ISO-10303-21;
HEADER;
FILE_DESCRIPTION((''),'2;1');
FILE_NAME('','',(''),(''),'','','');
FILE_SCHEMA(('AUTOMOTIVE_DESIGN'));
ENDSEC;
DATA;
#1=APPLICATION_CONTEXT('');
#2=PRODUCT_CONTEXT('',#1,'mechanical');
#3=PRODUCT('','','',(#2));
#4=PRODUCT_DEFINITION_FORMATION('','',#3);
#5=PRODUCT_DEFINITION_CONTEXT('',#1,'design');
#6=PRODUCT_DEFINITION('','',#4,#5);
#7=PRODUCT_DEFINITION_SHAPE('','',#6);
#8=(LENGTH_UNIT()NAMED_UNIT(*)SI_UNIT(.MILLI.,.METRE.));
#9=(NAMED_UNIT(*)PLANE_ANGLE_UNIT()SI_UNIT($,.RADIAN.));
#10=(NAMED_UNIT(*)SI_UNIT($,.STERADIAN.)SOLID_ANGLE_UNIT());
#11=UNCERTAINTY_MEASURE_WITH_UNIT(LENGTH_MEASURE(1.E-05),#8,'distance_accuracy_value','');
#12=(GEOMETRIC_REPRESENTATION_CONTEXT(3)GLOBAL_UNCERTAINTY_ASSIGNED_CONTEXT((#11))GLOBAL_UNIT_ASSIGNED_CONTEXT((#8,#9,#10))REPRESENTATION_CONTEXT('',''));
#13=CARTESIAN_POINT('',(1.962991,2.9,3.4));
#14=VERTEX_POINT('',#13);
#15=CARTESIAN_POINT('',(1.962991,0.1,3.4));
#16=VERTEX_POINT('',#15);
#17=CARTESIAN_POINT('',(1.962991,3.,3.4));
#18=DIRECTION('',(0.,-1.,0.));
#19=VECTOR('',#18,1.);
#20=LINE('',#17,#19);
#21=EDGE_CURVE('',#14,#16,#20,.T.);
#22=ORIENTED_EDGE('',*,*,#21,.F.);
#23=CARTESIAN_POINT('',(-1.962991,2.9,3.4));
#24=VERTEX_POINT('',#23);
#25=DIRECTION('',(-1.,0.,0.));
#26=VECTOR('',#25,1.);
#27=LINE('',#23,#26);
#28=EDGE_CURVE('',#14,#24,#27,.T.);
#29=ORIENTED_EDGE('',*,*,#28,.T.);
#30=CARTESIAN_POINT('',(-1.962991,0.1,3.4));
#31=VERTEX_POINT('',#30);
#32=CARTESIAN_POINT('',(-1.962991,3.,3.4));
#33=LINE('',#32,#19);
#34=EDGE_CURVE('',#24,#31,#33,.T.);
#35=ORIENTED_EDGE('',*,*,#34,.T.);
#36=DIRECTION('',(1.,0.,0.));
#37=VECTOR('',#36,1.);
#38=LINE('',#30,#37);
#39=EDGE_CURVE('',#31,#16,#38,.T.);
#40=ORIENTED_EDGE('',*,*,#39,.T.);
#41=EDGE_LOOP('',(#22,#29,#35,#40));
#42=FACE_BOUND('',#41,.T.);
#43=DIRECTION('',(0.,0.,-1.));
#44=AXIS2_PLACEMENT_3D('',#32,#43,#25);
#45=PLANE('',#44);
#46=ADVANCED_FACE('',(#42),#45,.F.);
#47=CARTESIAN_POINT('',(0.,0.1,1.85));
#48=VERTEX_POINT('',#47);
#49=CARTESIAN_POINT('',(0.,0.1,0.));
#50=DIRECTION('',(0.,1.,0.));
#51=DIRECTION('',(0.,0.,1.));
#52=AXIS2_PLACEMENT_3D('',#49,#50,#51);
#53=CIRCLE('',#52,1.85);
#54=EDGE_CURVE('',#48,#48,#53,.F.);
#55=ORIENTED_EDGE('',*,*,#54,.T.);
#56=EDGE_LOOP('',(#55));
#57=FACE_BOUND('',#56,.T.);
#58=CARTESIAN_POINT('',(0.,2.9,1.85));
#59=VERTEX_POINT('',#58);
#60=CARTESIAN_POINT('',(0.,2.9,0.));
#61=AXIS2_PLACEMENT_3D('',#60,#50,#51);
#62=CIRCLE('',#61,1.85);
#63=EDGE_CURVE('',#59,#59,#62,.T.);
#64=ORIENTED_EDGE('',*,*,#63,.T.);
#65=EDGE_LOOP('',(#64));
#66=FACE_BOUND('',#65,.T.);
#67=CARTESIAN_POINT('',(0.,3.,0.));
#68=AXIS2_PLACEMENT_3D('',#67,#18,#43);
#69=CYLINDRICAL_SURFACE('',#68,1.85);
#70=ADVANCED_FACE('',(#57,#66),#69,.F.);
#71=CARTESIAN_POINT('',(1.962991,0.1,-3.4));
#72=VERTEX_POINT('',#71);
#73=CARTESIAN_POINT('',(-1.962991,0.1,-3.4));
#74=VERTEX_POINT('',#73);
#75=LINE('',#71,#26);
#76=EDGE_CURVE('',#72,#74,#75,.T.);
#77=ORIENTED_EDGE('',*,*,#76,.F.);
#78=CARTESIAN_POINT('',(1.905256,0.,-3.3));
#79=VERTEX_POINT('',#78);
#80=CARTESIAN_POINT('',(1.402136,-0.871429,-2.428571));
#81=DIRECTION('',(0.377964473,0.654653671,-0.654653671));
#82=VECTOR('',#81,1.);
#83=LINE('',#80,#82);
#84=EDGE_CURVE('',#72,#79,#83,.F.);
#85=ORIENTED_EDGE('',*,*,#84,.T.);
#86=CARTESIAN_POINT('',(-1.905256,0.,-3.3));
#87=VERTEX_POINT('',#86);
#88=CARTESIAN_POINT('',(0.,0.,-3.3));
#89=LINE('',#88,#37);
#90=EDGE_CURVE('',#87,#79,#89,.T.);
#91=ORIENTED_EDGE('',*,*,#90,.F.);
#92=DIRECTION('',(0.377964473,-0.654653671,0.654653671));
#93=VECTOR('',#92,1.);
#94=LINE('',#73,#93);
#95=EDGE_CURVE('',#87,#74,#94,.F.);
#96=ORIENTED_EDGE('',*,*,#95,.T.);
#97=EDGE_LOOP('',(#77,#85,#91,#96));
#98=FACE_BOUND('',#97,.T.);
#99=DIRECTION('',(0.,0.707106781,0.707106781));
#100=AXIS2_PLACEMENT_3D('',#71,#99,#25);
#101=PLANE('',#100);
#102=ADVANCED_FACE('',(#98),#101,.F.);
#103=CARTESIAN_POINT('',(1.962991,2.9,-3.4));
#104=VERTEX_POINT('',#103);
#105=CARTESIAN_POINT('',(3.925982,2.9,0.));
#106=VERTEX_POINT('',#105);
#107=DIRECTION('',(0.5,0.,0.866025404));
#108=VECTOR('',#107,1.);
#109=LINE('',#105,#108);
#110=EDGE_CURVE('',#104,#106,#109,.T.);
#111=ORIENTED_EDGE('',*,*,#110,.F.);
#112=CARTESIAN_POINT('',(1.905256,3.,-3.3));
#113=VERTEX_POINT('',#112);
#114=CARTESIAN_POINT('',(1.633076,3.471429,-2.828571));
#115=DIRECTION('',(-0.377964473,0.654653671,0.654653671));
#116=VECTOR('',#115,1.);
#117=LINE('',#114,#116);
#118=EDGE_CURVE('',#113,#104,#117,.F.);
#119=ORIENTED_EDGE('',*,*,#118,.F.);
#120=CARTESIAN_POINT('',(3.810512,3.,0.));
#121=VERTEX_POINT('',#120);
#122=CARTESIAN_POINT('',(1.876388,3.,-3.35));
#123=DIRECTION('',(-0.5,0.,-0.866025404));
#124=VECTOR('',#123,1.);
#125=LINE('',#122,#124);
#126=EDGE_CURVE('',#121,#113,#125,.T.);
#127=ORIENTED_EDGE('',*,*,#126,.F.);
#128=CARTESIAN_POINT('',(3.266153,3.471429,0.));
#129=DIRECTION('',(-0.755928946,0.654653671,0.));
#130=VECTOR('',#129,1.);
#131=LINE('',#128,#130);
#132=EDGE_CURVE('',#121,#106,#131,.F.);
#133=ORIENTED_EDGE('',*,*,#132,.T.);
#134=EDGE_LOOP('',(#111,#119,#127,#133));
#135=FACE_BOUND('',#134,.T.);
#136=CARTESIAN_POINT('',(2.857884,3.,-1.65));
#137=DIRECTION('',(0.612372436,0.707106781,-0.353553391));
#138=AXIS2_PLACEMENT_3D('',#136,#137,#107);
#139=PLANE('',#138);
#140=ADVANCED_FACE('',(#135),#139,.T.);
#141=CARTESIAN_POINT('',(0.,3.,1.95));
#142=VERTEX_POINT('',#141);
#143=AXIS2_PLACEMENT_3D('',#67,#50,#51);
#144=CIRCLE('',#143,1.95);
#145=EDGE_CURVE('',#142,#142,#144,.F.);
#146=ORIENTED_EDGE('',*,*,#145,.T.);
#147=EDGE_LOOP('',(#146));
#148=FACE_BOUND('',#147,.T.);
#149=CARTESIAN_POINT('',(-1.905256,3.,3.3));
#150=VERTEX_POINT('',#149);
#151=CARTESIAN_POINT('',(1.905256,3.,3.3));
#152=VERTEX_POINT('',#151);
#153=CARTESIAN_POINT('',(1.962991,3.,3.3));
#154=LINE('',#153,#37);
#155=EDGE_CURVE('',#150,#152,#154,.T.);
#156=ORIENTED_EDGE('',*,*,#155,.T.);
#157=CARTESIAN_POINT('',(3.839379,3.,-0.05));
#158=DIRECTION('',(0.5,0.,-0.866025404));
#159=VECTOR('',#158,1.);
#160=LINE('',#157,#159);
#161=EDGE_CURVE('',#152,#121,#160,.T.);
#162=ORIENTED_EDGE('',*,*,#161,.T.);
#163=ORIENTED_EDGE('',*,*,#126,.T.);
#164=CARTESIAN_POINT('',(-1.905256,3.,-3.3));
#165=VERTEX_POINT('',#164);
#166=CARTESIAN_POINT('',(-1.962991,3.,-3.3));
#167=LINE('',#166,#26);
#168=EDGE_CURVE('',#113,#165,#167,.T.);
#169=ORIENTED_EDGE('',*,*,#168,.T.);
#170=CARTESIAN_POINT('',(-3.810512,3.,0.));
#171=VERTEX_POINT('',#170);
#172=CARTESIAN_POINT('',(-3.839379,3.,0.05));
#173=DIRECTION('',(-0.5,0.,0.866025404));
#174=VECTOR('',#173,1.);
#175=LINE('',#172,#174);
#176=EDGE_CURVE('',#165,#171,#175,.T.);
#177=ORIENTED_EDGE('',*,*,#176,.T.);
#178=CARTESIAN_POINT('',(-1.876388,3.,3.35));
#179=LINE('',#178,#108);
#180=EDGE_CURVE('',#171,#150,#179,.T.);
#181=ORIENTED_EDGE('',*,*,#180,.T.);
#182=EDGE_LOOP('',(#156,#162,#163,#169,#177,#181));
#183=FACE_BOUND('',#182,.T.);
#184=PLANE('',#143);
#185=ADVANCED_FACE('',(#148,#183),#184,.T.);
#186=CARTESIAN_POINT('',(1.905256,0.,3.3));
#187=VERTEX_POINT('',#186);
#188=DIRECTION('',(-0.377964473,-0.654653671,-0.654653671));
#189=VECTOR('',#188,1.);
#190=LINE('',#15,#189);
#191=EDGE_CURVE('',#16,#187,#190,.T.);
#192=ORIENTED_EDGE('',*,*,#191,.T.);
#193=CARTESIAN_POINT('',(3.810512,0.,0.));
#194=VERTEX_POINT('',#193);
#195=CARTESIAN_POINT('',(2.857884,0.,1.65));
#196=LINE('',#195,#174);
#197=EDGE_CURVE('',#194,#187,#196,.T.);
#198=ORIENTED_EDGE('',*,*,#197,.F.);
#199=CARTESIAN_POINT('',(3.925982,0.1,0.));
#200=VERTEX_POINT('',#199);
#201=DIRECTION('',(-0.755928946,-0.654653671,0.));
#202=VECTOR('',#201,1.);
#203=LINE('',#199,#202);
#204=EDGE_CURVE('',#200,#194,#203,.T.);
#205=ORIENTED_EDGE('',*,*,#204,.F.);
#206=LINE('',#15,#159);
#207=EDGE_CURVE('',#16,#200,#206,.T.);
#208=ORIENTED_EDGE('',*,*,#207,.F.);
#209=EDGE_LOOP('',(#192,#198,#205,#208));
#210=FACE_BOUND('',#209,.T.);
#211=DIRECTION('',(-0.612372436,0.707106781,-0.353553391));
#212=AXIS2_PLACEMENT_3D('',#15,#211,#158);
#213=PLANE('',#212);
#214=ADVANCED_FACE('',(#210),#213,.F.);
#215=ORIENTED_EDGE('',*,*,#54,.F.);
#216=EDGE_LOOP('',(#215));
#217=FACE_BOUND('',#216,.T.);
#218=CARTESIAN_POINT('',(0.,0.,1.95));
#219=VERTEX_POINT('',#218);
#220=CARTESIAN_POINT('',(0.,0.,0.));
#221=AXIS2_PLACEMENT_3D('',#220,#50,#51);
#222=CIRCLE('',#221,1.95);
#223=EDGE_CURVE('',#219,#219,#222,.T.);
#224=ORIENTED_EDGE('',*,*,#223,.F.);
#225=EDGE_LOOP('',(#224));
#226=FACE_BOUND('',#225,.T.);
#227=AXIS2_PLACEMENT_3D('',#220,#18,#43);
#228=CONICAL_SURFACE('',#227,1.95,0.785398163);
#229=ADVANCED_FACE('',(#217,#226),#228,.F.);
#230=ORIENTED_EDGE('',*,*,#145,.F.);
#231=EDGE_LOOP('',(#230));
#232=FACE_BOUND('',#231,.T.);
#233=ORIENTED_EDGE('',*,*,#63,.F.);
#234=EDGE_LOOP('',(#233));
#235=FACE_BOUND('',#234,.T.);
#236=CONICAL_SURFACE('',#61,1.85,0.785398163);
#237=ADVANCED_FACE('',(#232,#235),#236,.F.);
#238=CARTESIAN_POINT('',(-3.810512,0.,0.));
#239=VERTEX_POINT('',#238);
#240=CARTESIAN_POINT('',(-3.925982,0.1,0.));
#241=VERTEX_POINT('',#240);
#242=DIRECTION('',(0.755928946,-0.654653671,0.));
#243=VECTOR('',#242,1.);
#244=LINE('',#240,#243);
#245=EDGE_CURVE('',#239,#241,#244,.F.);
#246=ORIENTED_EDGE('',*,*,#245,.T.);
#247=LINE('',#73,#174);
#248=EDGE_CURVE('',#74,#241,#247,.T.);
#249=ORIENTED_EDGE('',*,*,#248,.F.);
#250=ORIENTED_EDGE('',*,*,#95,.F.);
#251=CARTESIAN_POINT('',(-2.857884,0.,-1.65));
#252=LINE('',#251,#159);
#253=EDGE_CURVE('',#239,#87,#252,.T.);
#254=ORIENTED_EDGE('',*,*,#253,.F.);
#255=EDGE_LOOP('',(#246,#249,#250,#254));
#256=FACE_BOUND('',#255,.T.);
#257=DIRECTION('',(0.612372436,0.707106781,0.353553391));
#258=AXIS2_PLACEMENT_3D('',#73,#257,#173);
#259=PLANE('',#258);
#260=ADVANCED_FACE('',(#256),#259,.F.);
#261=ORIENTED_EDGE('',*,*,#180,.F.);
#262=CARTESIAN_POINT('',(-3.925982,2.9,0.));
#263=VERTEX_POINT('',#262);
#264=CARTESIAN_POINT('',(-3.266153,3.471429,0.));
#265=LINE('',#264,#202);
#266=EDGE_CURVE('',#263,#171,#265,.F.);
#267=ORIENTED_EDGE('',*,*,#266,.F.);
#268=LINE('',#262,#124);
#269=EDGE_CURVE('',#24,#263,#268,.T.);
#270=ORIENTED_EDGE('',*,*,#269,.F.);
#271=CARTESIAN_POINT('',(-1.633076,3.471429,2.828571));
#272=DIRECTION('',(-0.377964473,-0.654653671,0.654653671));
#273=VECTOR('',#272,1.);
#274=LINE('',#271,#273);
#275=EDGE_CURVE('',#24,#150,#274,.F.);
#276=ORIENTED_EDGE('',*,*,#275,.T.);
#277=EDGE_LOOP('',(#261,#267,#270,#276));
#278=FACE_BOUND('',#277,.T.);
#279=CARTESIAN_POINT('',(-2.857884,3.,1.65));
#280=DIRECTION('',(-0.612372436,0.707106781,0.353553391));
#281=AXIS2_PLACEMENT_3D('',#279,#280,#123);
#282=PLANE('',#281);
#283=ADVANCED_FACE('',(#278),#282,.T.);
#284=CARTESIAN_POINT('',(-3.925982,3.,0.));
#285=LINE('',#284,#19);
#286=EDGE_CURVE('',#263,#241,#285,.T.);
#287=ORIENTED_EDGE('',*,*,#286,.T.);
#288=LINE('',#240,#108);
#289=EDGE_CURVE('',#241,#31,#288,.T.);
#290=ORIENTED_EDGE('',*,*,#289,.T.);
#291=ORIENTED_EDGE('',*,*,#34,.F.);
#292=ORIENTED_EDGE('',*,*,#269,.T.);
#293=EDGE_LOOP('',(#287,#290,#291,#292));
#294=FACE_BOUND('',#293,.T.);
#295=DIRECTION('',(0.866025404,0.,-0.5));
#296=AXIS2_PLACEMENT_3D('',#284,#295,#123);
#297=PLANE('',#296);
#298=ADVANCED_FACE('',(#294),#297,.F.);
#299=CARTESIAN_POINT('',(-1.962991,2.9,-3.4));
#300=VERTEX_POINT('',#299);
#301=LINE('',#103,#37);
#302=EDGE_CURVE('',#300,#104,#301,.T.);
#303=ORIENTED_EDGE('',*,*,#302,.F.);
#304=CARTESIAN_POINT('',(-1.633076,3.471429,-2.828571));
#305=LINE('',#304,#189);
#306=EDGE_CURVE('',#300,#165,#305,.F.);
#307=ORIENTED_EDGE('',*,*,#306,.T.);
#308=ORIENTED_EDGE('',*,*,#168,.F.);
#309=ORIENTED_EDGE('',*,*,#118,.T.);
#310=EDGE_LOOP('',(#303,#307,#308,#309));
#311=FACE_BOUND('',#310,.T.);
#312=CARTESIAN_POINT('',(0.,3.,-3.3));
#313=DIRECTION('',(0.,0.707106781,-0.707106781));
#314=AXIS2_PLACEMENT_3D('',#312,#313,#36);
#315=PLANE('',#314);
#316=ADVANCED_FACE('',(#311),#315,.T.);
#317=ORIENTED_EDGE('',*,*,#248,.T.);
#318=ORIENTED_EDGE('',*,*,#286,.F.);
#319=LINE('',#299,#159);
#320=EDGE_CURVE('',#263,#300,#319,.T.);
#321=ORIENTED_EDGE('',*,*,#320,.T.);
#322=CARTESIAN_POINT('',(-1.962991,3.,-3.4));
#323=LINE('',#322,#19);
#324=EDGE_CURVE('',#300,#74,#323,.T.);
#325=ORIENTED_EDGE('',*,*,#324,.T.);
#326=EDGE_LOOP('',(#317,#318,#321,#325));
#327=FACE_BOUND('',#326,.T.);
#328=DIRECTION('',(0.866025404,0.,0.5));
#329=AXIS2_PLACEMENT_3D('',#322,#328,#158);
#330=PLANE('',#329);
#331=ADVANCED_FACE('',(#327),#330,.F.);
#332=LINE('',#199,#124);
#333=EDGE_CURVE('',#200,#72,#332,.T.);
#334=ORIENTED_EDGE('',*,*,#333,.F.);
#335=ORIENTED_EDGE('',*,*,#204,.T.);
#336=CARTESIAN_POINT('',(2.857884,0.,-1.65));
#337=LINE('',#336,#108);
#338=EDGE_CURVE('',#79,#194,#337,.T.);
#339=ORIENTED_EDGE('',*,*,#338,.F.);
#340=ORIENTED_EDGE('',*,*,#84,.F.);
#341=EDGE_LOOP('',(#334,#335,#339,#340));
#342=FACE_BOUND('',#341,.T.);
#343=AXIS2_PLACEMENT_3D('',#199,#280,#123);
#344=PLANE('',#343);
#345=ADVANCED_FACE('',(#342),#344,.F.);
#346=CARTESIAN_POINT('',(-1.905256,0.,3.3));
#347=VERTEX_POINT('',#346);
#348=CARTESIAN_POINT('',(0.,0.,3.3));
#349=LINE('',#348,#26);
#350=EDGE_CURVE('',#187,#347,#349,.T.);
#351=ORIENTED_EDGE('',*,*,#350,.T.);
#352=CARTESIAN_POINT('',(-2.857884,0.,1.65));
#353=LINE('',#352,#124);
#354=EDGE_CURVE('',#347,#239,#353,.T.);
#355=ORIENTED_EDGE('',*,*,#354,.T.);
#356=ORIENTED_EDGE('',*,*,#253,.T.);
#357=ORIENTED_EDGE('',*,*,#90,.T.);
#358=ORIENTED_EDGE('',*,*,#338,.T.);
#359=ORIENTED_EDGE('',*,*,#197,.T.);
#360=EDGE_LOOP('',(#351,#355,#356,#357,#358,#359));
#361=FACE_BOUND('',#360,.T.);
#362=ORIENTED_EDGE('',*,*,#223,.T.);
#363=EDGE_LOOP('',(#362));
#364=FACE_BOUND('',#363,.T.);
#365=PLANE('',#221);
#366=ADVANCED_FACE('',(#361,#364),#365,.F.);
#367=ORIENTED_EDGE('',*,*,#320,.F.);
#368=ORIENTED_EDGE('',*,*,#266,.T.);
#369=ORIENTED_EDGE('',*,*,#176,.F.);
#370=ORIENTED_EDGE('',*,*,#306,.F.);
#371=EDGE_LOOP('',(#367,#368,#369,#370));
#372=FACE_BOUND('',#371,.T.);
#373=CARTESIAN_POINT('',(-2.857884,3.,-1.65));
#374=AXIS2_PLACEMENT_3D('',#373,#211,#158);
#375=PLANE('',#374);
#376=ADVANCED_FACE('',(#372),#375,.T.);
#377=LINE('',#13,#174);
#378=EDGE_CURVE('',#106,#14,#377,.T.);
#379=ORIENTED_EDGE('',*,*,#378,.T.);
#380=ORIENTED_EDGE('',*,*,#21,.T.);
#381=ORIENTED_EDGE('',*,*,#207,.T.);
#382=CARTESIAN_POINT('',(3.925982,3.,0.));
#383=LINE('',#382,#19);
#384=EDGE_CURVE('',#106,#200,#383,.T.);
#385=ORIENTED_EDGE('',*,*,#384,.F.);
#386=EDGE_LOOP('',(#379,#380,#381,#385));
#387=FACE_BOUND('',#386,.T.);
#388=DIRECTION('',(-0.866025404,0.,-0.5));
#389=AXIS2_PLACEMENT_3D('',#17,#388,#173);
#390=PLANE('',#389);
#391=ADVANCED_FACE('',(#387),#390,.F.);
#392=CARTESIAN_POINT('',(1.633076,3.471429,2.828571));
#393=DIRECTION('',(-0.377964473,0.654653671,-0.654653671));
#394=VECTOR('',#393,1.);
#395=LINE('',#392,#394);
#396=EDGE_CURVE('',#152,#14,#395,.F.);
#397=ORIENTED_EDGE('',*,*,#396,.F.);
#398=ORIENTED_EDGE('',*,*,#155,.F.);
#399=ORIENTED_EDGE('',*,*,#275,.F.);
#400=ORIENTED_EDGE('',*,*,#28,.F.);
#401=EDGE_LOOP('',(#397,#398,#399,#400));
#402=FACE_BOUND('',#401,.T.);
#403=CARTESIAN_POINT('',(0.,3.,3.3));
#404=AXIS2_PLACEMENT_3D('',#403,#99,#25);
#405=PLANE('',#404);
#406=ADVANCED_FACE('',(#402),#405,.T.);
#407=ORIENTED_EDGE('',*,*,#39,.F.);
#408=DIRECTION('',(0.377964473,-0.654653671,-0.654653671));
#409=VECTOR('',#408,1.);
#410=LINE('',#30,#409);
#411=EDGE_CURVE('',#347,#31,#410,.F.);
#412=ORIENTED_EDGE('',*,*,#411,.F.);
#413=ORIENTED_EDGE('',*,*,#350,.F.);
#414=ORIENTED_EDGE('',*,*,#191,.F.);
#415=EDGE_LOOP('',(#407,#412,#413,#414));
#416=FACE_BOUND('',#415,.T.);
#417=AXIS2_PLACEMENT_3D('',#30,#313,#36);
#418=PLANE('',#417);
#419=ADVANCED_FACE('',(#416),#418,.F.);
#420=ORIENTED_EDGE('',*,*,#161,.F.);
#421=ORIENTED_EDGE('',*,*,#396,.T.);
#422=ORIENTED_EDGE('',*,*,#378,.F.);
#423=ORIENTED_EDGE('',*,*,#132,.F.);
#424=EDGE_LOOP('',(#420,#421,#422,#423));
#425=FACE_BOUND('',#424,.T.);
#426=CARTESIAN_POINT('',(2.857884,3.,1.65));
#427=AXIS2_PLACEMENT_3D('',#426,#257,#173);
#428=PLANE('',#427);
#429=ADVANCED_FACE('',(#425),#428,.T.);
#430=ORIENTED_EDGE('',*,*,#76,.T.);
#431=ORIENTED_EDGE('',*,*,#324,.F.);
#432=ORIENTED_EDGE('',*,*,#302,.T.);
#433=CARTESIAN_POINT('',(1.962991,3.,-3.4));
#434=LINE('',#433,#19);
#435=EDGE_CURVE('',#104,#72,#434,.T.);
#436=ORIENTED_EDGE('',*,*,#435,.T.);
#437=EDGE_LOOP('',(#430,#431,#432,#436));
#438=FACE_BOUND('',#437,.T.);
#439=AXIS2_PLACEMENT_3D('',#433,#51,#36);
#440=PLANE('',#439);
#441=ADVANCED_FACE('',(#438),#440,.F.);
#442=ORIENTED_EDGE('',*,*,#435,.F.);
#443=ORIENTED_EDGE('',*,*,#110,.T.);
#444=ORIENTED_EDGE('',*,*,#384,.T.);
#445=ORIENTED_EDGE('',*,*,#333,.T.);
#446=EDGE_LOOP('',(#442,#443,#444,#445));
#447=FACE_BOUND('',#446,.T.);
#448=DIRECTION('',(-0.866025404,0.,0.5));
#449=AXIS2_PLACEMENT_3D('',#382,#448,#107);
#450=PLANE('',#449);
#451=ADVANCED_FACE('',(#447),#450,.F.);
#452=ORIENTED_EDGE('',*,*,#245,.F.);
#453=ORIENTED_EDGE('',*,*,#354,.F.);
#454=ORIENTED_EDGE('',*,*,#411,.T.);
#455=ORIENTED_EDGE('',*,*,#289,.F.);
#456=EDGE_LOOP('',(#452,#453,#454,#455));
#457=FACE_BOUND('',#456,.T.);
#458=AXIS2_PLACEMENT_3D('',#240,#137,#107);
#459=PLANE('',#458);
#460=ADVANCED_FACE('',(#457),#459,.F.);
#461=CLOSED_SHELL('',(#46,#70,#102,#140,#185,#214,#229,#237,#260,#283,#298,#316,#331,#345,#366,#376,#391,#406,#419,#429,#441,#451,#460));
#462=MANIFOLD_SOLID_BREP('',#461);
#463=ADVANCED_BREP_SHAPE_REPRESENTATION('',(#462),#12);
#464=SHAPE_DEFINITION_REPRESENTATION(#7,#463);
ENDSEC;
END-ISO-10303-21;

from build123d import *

# Parameters (mm, degrees)
SKETCH_1_R      = 1.85
EXTRUDE_1_DEPTH = 3
CHAMFER_1_SIZE  = 0.1


with BuildPart() as part:
    # Эскиз1 → Бобышка-Вытянуть1 (new body)
    with BuildSketch(Plane(origin=(0, 0, 0), x_dir=(1, 0, 0), z_dir=(0, 1, 0))):
        Polygon((3.92598183, 0), (1.962990915, 3.4), (-1.962990915, 3.4), (-3.92598183, 0), (-1.962990915, -3.4), (1.962990915, -3.4), align=None)
        Circle(SKETCH_1_R, mode=Mode.SUBTRACT)
    extrude(amount=EXTRUDE_1_DEPTH)

    # Фаска1
    chamfer_1_edges = [part.edges().sort_by_distance(p)[0] for p in [
        (0, 3, -3.4),
        (-2.944486373, 3, -1.7),
        (-2.944486373, 3, 1.7),
        (-1.85, 0, 0),
        (-1.85, 3, 0),
        (0, 3, 3.4),
        (2.944486373, 3, 1.7),
        (0, 0, 3.4),
        (-2.944486373, 0, 1.7),
        (-2.944486373, 0, -1.7),
        (2.944486373, 3, -1.7),
        (0, 0, -3.4),
        (2.944486373, 0, -1.7),
        (2.944486373, 0, 1.7),
    ]]
    chamfer(chamfer_1_edges, length=CHAMFER_1_SIZE)


solid = part.part
